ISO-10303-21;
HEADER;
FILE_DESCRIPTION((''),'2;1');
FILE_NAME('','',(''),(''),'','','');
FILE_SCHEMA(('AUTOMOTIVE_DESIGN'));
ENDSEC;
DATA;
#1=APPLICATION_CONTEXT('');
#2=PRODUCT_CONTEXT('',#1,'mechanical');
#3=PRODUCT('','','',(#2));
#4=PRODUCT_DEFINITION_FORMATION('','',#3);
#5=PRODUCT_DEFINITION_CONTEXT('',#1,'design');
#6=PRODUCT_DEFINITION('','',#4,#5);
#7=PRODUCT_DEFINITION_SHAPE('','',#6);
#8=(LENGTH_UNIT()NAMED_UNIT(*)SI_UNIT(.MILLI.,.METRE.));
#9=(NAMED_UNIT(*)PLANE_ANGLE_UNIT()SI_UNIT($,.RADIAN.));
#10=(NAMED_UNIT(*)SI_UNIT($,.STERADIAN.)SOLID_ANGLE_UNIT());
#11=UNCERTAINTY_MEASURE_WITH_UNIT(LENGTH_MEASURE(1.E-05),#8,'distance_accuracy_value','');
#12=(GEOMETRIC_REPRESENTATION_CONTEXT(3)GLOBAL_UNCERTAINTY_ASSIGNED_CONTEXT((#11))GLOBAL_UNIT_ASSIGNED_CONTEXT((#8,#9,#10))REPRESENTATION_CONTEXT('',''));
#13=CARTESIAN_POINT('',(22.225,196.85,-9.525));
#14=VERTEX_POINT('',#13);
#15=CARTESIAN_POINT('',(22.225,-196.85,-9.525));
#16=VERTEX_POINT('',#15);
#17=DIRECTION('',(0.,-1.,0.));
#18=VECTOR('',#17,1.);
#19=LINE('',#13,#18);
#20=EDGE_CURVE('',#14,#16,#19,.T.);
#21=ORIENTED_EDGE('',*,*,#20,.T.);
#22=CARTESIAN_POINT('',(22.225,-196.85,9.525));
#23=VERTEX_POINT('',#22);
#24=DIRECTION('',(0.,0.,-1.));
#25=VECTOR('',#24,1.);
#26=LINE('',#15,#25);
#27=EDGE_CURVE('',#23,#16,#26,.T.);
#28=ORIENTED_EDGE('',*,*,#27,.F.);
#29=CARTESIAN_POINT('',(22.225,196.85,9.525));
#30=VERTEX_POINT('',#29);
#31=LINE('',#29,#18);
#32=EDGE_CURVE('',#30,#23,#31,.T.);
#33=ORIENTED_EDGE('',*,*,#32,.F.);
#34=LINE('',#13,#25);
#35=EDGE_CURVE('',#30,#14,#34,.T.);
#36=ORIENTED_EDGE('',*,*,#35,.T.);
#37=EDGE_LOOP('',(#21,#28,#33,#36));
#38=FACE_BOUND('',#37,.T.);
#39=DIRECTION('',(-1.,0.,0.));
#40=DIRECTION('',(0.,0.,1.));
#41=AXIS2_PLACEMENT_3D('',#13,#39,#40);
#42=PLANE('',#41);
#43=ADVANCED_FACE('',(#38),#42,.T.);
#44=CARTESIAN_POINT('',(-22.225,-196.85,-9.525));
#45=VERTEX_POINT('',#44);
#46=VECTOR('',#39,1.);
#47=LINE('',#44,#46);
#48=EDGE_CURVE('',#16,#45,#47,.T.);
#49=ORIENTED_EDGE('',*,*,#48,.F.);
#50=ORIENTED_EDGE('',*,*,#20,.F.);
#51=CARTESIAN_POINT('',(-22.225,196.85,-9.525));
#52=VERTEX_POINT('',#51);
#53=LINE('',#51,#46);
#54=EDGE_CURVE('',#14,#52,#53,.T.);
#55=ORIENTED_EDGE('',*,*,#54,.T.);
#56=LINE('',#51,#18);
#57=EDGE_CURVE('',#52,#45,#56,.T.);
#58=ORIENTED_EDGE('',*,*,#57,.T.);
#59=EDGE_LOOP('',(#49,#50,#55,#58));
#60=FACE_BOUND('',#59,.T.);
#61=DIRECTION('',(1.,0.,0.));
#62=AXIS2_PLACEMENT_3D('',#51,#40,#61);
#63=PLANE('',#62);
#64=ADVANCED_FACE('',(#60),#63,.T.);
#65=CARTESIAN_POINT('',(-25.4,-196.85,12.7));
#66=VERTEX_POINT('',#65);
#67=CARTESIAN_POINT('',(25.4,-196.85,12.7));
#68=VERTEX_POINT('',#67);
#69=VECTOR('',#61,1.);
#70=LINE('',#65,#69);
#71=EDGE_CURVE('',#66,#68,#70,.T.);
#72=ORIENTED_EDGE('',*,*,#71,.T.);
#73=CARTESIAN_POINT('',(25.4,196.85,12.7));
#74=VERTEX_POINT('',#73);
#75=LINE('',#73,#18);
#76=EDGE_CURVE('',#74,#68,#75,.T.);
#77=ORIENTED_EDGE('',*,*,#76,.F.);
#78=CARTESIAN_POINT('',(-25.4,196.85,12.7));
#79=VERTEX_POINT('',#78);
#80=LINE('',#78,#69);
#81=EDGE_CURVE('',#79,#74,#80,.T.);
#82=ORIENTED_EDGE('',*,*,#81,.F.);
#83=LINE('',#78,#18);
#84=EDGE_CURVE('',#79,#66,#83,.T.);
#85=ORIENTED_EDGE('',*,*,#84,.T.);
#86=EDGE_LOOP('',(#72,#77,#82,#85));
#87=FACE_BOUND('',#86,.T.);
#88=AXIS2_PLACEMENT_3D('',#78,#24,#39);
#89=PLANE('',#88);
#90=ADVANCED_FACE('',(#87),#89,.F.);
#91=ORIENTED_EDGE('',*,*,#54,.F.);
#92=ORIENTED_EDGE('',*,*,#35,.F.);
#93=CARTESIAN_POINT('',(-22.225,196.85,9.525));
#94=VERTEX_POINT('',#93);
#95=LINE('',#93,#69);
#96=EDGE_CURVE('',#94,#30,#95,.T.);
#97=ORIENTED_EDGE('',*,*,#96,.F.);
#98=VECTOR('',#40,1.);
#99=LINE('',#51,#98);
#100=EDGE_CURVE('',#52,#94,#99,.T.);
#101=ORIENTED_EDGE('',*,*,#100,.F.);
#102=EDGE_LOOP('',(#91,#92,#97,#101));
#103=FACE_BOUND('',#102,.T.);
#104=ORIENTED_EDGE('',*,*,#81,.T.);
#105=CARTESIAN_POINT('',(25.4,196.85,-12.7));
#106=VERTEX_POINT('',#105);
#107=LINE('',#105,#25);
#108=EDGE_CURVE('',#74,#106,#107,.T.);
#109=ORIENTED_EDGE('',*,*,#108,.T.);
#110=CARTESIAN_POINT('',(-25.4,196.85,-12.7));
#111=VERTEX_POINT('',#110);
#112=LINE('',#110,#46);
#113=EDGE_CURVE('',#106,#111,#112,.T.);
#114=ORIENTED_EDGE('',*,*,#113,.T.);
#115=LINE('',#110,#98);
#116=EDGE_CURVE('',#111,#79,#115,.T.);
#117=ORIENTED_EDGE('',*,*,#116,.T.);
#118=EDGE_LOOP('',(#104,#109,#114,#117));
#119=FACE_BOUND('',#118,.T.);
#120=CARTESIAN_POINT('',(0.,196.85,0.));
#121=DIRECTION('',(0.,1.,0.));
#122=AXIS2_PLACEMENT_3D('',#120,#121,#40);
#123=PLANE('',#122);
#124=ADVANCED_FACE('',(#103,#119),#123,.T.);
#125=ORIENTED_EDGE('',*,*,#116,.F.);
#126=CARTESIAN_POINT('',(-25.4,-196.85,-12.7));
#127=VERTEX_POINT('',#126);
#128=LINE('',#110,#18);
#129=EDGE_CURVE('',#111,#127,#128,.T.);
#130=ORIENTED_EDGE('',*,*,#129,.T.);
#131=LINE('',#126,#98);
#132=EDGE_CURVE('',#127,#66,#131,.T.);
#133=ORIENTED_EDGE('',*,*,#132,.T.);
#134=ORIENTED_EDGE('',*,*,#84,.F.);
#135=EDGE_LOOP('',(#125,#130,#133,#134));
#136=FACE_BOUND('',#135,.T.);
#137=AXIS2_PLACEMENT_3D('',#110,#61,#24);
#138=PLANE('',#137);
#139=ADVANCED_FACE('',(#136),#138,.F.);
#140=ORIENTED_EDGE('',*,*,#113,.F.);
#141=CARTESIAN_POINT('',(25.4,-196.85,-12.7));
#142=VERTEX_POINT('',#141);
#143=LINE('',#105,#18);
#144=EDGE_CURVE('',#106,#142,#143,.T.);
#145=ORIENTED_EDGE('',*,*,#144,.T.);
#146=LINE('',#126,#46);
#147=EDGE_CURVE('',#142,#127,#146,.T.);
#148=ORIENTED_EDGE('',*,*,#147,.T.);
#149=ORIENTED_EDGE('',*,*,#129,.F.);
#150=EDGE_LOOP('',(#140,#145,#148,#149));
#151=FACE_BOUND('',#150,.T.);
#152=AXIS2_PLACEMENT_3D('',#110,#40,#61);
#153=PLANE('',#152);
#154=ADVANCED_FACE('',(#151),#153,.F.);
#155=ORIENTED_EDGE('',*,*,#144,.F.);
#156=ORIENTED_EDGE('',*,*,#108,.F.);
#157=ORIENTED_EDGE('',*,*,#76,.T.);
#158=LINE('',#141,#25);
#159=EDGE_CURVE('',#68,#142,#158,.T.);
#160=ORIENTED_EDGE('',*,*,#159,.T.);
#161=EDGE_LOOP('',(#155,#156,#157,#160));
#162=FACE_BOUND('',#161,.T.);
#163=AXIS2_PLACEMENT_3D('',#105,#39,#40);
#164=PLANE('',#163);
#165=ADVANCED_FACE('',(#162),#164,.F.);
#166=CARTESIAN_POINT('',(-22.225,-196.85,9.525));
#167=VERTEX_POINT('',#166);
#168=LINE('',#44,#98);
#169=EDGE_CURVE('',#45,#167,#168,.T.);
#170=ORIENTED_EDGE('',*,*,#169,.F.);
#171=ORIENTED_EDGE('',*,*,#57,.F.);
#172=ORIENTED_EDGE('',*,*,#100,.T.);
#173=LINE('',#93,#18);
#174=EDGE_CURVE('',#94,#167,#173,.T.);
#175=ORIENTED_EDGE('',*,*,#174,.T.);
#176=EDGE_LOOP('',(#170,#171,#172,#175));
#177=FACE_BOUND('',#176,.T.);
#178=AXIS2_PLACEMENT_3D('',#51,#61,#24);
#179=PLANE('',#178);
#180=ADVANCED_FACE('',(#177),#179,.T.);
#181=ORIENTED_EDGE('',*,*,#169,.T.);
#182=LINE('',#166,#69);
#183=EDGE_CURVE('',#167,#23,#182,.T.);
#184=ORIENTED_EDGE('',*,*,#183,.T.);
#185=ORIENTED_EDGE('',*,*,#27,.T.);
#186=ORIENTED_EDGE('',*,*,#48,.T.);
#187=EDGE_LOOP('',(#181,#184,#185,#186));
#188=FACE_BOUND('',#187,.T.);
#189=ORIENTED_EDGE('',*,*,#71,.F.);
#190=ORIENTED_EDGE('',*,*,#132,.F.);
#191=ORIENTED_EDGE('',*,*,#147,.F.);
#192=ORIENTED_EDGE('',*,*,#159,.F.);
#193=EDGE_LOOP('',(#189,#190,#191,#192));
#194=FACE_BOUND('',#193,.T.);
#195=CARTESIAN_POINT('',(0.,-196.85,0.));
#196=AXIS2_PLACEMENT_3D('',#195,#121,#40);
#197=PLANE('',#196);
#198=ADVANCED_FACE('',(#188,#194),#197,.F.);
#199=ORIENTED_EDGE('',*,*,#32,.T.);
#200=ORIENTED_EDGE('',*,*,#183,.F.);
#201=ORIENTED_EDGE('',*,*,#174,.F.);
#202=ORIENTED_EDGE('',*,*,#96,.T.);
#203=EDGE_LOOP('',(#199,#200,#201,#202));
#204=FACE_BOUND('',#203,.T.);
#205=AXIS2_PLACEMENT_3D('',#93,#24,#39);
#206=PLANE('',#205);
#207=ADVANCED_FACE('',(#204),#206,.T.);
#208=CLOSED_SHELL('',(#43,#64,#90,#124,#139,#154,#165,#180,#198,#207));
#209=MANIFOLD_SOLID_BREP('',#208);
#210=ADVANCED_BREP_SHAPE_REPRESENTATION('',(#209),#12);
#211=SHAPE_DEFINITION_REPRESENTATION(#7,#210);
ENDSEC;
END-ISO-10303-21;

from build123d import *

# Parameters (mm, degrees)
SKETCH1_W           = 50.8
SKETCH1_H           = 25.4
SKETCH1_W_2         = 44.45
SKETCH1_H_2         = 19.05
BOSS_EXTRUDE1_DEPTH = 196.85


with BuildPart() as part:
    # Sketch1 → Boss-Extrude1 (new, symmetric)
    with BuildSketch(Plane(origin=(0, 0, 0), x_dir=(1, 0, 0), z_dir=(0, 1, 0))):
        Rectangle(SKETCH1_W, SKETCH1_H)
        Rectangle(SKETCH1_W_2, SKETCH1_H_2, mode=Mode.SUBTRACT)
    extrude(amount=BOSS_EXTRUDE1_DEPTH, both=True)


solid = part.part
